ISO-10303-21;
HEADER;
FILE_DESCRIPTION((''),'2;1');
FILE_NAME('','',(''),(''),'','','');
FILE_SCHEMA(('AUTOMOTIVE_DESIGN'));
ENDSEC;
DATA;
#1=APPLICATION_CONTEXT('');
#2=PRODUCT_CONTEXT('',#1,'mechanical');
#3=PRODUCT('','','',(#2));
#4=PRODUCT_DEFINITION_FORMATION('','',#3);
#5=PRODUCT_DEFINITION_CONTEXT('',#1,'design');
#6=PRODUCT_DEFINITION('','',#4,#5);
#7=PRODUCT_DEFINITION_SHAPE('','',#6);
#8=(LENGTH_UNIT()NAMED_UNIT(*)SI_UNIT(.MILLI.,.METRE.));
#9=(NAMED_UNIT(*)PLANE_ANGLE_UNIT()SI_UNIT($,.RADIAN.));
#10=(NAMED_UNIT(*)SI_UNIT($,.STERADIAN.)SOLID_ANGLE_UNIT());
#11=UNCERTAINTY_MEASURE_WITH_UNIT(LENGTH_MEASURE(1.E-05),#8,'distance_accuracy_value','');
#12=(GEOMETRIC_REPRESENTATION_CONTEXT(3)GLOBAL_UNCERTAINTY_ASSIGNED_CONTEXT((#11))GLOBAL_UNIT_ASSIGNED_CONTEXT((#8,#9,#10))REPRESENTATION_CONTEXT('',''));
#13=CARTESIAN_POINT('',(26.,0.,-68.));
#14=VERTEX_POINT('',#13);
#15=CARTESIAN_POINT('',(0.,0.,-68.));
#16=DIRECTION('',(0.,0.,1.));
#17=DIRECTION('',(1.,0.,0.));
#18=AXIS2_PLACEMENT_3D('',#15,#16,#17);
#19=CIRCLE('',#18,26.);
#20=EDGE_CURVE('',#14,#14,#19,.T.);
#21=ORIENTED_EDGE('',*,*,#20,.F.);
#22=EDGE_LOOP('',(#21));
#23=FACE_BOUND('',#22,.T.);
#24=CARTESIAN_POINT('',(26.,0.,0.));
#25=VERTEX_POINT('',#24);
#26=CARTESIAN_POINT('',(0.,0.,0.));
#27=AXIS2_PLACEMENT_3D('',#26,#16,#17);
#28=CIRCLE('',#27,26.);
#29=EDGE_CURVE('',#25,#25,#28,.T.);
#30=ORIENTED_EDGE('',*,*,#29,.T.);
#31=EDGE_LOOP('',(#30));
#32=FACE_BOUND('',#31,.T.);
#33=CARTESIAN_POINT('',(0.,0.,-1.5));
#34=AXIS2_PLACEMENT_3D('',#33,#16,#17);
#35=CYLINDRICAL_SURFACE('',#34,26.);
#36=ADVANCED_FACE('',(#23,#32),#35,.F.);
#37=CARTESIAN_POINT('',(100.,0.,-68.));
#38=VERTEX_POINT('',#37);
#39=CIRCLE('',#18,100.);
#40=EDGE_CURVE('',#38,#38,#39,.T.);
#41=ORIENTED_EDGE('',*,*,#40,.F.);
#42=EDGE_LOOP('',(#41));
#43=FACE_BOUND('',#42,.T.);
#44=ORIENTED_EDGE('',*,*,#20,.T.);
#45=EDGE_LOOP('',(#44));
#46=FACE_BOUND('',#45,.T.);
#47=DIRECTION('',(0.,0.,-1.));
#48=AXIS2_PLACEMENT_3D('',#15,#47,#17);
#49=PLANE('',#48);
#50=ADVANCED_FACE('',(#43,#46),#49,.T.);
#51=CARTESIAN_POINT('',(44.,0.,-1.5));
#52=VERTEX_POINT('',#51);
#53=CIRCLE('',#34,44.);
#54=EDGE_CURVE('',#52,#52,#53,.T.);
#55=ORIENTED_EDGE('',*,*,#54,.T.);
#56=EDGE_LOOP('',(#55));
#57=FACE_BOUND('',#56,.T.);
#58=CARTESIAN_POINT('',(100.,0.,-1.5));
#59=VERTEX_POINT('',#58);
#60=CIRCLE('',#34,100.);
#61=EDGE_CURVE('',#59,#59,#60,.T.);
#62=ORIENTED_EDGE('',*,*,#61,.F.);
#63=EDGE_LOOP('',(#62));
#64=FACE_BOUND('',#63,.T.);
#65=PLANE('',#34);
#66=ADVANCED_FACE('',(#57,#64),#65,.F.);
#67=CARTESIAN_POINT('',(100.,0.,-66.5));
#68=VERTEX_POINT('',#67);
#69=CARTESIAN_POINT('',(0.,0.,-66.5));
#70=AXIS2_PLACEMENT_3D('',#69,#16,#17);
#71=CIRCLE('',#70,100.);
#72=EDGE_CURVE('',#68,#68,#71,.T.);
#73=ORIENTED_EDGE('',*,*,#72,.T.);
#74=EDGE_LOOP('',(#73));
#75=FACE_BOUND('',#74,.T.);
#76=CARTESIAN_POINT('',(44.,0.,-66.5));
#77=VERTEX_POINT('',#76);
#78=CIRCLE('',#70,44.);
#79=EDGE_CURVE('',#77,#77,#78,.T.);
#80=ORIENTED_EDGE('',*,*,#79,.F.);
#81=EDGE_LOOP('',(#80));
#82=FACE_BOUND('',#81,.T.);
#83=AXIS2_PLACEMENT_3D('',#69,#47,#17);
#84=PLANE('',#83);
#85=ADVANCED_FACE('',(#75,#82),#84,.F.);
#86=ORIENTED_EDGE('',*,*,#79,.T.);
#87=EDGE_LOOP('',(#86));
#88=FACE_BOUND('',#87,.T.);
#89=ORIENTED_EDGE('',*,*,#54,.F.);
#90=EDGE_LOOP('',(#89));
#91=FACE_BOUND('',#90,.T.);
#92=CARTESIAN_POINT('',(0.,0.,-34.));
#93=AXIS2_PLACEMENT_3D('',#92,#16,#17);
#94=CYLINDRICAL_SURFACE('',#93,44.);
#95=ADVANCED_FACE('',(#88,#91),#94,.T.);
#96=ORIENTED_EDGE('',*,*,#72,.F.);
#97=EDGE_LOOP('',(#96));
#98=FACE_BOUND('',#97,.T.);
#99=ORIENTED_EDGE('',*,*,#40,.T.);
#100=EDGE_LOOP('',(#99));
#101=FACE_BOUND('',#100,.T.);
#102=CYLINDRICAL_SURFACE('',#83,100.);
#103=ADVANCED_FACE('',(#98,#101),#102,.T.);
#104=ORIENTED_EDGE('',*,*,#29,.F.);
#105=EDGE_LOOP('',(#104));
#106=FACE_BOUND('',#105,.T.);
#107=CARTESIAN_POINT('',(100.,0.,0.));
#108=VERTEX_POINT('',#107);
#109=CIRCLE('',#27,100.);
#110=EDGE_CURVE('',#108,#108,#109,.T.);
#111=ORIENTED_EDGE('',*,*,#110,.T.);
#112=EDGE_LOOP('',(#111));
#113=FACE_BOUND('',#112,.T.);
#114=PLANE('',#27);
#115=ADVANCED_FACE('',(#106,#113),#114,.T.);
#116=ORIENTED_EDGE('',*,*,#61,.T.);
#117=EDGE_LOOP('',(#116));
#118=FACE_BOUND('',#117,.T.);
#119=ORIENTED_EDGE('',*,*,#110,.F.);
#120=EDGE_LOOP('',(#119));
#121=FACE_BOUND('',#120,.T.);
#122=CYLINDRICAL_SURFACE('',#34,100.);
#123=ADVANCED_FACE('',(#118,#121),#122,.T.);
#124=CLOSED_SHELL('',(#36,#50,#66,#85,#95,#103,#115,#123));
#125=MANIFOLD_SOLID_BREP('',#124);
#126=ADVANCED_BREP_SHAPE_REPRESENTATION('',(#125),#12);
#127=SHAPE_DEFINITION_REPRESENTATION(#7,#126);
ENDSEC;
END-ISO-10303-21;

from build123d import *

# Parameters (mm, degrees)
ESBO_O1_R                = 100
ESBO_O1_R_2              = 26
RESSALTO_EXTRUS_O1_DEPTH = 1.5
ESBO_O1_3_R              = 44
ESBO_O1_3_R_2            = 26
RESSALTO_EXTRUS_O2_DEPTH = 34


with BuildPart() as part:
    # Esboço1 → Ressalto-extrusão1 (new body)
    with BuildSketch(Plane.XY):
        Circle(ESBO_O1_R)
        Circle(ESBO_O1_R_2, mode=Mode.SUBTRACT)
    extrude(amount=-RESSALTO_EXTRUS_O1_DEPTH)

    # Esboço1<3> → Ressalto-extrusão2 (add)
    with BuildSketch(Plane.XY):
        Circle(ESBO_O1_3_R)
        Circle(ESBO_O1_3_R_2, mode=Mode.SUBTRACT)
    extrude(amount=-RESSALTO_EXTRUS_O2_DEPTH)

    # Espelhar1: part across plane


with BuildPart() as part_1:
    add(part.part)
    add(part.part.mirror(Plane(origin=(0, 0, -34), x_dir=(1, 0, 0), z_dir=(0, 0, -1))))


solid = part_1.part
